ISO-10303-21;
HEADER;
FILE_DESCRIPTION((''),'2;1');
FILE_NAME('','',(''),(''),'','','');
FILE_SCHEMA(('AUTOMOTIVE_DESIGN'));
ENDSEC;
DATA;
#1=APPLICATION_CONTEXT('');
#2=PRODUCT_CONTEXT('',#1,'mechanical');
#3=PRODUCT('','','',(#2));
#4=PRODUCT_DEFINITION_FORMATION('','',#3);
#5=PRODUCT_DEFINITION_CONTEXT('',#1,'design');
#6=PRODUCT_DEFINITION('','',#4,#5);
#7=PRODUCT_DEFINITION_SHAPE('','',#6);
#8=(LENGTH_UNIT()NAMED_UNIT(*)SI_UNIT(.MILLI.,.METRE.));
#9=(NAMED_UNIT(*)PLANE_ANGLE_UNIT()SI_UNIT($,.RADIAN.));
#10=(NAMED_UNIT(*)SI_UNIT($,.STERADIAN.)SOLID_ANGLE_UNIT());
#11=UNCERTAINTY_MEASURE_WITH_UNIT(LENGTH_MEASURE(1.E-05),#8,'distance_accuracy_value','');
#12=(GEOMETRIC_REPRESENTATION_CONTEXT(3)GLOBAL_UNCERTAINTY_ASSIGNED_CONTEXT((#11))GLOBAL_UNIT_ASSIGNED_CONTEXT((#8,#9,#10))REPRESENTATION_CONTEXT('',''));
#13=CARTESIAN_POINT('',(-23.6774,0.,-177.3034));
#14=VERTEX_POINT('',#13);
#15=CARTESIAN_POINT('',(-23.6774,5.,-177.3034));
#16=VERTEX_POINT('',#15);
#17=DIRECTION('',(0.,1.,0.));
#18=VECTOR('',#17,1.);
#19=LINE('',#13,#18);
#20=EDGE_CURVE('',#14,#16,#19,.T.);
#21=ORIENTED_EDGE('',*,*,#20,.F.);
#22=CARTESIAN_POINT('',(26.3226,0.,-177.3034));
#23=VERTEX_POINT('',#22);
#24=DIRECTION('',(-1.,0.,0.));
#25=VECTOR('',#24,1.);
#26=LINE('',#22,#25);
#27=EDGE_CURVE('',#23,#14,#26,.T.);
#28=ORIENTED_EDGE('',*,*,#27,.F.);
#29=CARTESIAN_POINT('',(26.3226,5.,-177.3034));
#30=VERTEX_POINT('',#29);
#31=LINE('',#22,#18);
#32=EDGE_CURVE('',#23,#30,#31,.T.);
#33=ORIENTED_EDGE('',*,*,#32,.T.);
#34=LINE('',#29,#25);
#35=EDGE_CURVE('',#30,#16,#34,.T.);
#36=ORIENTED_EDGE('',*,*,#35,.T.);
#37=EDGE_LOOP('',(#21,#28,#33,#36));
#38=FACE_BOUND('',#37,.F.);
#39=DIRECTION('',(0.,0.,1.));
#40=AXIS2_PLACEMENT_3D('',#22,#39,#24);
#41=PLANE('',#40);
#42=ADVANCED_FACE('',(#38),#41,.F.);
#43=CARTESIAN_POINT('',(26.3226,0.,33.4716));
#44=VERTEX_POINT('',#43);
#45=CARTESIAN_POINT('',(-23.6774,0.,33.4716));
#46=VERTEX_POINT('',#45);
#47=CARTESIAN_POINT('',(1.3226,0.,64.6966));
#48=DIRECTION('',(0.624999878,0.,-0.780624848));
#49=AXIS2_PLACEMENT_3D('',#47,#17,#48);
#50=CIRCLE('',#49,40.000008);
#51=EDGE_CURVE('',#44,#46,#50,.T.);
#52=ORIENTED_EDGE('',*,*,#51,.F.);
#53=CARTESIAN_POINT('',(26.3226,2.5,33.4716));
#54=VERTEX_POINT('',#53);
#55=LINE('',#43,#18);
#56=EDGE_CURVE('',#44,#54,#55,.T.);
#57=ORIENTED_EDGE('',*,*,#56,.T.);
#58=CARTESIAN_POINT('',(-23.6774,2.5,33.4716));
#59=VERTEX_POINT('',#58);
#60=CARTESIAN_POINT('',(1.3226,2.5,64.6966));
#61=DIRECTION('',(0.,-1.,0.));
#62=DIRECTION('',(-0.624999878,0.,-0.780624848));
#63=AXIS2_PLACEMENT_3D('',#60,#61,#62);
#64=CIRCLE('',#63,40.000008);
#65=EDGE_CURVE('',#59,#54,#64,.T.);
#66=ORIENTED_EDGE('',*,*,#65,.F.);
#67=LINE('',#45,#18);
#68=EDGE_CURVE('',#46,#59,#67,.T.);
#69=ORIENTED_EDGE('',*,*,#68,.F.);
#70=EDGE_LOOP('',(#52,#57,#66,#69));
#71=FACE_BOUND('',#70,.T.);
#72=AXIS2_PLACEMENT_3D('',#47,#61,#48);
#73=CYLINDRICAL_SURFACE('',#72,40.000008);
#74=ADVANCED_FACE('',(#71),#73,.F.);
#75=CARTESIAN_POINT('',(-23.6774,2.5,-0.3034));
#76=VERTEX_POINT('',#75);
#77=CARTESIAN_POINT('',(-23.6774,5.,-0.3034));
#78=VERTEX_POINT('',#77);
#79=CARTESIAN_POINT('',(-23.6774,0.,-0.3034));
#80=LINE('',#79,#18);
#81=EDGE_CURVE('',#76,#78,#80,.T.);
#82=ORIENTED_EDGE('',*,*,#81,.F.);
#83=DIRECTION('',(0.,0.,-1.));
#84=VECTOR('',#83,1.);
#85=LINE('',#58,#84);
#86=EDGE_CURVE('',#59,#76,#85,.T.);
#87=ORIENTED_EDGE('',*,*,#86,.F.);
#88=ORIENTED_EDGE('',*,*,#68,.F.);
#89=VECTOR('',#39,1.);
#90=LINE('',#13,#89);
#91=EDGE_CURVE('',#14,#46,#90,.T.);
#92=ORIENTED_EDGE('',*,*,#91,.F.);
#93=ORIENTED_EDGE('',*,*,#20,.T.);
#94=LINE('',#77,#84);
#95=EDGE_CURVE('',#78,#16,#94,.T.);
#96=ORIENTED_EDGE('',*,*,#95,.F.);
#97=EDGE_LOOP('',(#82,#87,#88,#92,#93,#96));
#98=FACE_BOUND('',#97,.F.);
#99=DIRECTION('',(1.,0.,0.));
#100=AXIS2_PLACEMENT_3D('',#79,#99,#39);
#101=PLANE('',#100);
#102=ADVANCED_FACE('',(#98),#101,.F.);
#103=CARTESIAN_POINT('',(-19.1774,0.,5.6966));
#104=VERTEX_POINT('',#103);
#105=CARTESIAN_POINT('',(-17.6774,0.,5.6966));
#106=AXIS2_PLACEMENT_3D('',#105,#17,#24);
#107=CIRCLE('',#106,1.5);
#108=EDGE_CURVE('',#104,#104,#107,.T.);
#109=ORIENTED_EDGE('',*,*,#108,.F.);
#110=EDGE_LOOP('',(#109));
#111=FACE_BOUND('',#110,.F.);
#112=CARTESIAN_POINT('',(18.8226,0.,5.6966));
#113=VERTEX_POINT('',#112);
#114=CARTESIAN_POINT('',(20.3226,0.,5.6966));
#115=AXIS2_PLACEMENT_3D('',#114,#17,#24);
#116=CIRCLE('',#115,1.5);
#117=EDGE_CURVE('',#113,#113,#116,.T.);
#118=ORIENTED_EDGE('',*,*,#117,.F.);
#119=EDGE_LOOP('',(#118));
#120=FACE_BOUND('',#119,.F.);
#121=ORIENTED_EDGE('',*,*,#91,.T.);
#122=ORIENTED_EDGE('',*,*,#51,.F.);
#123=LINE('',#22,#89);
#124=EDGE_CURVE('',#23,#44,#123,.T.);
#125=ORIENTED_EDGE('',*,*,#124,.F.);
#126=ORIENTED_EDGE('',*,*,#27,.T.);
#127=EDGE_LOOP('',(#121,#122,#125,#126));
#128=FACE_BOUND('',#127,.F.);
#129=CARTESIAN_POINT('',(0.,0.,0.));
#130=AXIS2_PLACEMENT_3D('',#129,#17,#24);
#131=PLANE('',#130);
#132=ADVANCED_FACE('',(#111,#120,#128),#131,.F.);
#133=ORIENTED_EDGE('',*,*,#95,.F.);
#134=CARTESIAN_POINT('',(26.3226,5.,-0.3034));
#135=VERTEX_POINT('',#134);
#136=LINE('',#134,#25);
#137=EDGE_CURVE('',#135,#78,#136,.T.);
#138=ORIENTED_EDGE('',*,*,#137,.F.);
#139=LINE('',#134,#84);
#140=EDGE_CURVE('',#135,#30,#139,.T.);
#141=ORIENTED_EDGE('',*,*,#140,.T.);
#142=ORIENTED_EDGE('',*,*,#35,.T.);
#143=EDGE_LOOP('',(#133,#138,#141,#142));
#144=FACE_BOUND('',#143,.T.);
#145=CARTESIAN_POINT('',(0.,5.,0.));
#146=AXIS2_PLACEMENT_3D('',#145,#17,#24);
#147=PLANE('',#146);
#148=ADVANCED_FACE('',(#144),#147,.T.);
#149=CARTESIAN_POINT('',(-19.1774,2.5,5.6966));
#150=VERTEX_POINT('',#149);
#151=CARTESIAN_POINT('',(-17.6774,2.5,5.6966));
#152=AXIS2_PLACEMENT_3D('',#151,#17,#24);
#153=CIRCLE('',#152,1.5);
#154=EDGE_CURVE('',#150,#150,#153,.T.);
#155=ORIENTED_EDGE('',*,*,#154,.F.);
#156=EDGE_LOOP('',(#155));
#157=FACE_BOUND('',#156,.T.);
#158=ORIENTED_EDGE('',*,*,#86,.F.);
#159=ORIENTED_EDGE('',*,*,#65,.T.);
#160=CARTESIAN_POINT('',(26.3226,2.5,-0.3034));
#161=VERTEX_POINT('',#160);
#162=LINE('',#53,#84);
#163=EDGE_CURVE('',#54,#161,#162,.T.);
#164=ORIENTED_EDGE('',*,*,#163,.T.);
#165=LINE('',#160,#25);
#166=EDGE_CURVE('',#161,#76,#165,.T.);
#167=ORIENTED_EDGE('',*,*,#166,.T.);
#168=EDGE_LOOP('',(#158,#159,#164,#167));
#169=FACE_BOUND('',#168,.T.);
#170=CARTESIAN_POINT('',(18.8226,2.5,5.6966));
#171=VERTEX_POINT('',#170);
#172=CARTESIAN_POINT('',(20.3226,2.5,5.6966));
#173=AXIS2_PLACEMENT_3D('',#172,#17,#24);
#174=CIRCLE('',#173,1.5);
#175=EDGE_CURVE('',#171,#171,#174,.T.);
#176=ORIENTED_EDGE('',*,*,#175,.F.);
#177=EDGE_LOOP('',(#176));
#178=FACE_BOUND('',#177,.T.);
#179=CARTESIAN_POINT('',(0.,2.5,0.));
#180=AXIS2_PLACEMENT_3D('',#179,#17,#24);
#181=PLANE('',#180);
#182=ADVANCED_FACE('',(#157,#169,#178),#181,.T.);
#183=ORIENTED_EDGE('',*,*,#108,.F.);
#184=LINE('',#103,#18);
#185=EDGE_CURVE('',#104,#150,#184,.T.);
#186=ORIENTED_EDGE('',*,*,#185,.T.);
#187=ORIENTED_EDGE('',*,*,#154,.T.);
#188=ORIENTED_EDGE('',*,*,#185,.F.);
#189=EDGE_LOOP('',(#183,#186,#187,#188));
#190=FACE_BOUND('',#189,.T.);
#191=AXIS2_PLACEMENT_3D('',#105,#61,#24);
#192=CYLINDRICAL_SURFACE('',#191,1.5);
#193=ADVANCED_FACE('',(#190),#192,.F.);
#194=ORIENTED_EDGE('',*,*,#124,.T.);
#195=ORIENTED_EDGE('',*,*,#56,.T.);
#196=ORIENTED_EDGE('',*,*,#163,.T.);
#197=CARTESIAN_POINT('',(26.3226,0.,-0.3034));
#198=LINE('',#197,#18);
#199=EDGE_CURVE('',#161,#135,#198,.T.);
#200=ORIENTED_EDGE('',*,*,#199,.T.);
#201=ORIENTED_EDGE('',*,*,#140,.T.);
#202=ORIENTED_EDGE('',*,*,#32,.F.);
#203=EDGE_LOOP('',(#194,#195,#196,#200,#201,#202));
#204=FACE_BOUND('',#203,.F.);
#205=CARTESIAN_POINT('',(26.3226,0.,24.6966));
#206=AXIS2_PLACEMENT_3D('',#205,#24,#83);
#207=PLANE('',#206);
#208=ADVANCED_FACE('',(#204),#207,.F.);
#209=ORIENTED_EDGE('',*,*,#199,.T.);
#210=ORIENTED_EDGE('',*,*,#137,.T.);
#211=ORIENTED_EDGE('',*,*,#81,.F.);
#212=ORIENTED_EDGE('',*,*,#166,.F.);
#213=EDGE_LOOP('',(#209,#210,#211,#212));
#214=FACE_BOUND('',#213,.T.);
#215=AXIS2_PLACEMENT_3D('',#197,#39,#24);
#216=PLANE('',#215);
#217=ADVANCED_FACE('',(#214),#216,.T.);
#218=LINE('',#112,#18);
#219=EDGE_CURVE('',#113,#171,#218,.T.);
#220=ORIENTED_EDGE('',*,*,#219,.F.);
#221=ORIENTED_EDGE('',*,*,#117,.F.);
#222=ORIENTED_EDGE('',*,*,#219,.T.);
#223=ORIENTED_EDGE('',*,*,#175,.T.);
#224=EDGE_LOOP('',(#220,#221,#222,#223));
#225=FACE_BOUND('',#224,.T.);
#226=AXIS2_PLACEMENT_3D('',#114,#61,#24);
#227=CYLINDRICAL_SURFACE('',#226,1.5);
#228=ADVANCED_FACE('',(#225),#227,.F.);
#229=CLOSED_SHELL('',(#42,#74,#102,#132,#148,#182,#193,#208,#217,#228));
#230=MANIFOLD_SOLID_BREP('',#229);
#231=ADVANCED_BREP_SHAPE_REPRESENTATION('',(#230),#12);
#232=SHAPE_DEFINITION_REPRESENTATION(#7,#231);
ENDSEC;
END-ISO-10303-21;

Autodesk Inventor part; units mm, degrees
ref_plane "YZ Plane" through (0, 0, 0) normal (1, 0, 0) x (0, 1, 0)
ref_plane "XZ Plane" through (0, 0, 0) normal (0, 1, 0) x (-1, 0, 0)
ref_plane "XY Plane" through (0, 0, 0) normal (0, 0, 1) x (1, 0, 0)
sketch "Esboço1" plane through (0, 0, 0) normal (0, 1, 0) x (-1, 0, 0)
  line L0 (-1.3226, 64.6966) -> (-1.3226, 176.6966) construction
  line L1 (-1.3226, 64.6966) -> (-1.3226, 179.6966) construction
  line L2 (23.6774, 24.6966) -> (-26.3226, 24.6966)
  line L3 (-26.3226, 24.6966) -> (-26.3226, -57.3034)
  line L4 (-26.3226, -57.3034) -> (23.6774, -57.3034)
  line L5 (23.6774, -57.3034) -> (23.6774, 24.6966)
  line L6 (23.6774, -57.3034) -> (-26.3226, -57.3034)
  line L7 (-26.3226, -57.3034) -> (-26.3226, -177.3034)
  line L8 (-26.3226, -177.3034) -> (23.6774, -177.3034)
  line L9 (23.6774, -177.3034) -> (23.6774, -57.3034)
  line L10 (23.6774, 24.6966) -> (23.6774, 33.4716)
  line L11 (-26.3226, 24.6966) -> (-26.3226, 33.4716)
  line L12 (23.6774, 24.6966) -> (-26.3226, 24.6966)
  line L13 (-26.3226, 24.6966) -> (-26.3226, -0.3034)
  line L14 (-26.3226, -0.3034) -> (23.6774, -0.3034)
  line L15 (23.6774, -0.3034) -> (23.6774, 24.6966)
  circle A0 centre (17.6774, 5.6966) radius 1.5
  circle A1 centre (17.6774, 5.6966) radius 2.75
  circle A2 centre (-20.3226, 5.6966) radius 1.5
  circle A3 centre (-20.3226, 5.6966) radius 2.75
  arc A4 (-26.3226, 33.4716) -> (23.6774, 33.4716) centre (-1.3226, 64.6966) ccw
  point P0 (0, 0)
  point P1 (-26.3226, -57.3034)
  dimension "d8" = 120
  dimension "d9" = 50
  dimension "d10" = 25
  dimension "d11" = 25
  dimension "d12" = 50
  dimension "d13" = 3
  dimension "d14" = 6
  dimension "d15" = 6
  dimension "d16" = 5.5
extrude "Extrusão1" add sketch "Esboço1" along normal blind 2.5 contours L5 L14 L3 L2 | L2 A4 L10 | L2 L11 A4 | A1 | A3
extrude "Extrusão2" add sketch "Esboço1" along normal blind 5 contours L5 L4 L3 L14 | L9 L8 L7 L4
properties part number "peca2_suporte"
